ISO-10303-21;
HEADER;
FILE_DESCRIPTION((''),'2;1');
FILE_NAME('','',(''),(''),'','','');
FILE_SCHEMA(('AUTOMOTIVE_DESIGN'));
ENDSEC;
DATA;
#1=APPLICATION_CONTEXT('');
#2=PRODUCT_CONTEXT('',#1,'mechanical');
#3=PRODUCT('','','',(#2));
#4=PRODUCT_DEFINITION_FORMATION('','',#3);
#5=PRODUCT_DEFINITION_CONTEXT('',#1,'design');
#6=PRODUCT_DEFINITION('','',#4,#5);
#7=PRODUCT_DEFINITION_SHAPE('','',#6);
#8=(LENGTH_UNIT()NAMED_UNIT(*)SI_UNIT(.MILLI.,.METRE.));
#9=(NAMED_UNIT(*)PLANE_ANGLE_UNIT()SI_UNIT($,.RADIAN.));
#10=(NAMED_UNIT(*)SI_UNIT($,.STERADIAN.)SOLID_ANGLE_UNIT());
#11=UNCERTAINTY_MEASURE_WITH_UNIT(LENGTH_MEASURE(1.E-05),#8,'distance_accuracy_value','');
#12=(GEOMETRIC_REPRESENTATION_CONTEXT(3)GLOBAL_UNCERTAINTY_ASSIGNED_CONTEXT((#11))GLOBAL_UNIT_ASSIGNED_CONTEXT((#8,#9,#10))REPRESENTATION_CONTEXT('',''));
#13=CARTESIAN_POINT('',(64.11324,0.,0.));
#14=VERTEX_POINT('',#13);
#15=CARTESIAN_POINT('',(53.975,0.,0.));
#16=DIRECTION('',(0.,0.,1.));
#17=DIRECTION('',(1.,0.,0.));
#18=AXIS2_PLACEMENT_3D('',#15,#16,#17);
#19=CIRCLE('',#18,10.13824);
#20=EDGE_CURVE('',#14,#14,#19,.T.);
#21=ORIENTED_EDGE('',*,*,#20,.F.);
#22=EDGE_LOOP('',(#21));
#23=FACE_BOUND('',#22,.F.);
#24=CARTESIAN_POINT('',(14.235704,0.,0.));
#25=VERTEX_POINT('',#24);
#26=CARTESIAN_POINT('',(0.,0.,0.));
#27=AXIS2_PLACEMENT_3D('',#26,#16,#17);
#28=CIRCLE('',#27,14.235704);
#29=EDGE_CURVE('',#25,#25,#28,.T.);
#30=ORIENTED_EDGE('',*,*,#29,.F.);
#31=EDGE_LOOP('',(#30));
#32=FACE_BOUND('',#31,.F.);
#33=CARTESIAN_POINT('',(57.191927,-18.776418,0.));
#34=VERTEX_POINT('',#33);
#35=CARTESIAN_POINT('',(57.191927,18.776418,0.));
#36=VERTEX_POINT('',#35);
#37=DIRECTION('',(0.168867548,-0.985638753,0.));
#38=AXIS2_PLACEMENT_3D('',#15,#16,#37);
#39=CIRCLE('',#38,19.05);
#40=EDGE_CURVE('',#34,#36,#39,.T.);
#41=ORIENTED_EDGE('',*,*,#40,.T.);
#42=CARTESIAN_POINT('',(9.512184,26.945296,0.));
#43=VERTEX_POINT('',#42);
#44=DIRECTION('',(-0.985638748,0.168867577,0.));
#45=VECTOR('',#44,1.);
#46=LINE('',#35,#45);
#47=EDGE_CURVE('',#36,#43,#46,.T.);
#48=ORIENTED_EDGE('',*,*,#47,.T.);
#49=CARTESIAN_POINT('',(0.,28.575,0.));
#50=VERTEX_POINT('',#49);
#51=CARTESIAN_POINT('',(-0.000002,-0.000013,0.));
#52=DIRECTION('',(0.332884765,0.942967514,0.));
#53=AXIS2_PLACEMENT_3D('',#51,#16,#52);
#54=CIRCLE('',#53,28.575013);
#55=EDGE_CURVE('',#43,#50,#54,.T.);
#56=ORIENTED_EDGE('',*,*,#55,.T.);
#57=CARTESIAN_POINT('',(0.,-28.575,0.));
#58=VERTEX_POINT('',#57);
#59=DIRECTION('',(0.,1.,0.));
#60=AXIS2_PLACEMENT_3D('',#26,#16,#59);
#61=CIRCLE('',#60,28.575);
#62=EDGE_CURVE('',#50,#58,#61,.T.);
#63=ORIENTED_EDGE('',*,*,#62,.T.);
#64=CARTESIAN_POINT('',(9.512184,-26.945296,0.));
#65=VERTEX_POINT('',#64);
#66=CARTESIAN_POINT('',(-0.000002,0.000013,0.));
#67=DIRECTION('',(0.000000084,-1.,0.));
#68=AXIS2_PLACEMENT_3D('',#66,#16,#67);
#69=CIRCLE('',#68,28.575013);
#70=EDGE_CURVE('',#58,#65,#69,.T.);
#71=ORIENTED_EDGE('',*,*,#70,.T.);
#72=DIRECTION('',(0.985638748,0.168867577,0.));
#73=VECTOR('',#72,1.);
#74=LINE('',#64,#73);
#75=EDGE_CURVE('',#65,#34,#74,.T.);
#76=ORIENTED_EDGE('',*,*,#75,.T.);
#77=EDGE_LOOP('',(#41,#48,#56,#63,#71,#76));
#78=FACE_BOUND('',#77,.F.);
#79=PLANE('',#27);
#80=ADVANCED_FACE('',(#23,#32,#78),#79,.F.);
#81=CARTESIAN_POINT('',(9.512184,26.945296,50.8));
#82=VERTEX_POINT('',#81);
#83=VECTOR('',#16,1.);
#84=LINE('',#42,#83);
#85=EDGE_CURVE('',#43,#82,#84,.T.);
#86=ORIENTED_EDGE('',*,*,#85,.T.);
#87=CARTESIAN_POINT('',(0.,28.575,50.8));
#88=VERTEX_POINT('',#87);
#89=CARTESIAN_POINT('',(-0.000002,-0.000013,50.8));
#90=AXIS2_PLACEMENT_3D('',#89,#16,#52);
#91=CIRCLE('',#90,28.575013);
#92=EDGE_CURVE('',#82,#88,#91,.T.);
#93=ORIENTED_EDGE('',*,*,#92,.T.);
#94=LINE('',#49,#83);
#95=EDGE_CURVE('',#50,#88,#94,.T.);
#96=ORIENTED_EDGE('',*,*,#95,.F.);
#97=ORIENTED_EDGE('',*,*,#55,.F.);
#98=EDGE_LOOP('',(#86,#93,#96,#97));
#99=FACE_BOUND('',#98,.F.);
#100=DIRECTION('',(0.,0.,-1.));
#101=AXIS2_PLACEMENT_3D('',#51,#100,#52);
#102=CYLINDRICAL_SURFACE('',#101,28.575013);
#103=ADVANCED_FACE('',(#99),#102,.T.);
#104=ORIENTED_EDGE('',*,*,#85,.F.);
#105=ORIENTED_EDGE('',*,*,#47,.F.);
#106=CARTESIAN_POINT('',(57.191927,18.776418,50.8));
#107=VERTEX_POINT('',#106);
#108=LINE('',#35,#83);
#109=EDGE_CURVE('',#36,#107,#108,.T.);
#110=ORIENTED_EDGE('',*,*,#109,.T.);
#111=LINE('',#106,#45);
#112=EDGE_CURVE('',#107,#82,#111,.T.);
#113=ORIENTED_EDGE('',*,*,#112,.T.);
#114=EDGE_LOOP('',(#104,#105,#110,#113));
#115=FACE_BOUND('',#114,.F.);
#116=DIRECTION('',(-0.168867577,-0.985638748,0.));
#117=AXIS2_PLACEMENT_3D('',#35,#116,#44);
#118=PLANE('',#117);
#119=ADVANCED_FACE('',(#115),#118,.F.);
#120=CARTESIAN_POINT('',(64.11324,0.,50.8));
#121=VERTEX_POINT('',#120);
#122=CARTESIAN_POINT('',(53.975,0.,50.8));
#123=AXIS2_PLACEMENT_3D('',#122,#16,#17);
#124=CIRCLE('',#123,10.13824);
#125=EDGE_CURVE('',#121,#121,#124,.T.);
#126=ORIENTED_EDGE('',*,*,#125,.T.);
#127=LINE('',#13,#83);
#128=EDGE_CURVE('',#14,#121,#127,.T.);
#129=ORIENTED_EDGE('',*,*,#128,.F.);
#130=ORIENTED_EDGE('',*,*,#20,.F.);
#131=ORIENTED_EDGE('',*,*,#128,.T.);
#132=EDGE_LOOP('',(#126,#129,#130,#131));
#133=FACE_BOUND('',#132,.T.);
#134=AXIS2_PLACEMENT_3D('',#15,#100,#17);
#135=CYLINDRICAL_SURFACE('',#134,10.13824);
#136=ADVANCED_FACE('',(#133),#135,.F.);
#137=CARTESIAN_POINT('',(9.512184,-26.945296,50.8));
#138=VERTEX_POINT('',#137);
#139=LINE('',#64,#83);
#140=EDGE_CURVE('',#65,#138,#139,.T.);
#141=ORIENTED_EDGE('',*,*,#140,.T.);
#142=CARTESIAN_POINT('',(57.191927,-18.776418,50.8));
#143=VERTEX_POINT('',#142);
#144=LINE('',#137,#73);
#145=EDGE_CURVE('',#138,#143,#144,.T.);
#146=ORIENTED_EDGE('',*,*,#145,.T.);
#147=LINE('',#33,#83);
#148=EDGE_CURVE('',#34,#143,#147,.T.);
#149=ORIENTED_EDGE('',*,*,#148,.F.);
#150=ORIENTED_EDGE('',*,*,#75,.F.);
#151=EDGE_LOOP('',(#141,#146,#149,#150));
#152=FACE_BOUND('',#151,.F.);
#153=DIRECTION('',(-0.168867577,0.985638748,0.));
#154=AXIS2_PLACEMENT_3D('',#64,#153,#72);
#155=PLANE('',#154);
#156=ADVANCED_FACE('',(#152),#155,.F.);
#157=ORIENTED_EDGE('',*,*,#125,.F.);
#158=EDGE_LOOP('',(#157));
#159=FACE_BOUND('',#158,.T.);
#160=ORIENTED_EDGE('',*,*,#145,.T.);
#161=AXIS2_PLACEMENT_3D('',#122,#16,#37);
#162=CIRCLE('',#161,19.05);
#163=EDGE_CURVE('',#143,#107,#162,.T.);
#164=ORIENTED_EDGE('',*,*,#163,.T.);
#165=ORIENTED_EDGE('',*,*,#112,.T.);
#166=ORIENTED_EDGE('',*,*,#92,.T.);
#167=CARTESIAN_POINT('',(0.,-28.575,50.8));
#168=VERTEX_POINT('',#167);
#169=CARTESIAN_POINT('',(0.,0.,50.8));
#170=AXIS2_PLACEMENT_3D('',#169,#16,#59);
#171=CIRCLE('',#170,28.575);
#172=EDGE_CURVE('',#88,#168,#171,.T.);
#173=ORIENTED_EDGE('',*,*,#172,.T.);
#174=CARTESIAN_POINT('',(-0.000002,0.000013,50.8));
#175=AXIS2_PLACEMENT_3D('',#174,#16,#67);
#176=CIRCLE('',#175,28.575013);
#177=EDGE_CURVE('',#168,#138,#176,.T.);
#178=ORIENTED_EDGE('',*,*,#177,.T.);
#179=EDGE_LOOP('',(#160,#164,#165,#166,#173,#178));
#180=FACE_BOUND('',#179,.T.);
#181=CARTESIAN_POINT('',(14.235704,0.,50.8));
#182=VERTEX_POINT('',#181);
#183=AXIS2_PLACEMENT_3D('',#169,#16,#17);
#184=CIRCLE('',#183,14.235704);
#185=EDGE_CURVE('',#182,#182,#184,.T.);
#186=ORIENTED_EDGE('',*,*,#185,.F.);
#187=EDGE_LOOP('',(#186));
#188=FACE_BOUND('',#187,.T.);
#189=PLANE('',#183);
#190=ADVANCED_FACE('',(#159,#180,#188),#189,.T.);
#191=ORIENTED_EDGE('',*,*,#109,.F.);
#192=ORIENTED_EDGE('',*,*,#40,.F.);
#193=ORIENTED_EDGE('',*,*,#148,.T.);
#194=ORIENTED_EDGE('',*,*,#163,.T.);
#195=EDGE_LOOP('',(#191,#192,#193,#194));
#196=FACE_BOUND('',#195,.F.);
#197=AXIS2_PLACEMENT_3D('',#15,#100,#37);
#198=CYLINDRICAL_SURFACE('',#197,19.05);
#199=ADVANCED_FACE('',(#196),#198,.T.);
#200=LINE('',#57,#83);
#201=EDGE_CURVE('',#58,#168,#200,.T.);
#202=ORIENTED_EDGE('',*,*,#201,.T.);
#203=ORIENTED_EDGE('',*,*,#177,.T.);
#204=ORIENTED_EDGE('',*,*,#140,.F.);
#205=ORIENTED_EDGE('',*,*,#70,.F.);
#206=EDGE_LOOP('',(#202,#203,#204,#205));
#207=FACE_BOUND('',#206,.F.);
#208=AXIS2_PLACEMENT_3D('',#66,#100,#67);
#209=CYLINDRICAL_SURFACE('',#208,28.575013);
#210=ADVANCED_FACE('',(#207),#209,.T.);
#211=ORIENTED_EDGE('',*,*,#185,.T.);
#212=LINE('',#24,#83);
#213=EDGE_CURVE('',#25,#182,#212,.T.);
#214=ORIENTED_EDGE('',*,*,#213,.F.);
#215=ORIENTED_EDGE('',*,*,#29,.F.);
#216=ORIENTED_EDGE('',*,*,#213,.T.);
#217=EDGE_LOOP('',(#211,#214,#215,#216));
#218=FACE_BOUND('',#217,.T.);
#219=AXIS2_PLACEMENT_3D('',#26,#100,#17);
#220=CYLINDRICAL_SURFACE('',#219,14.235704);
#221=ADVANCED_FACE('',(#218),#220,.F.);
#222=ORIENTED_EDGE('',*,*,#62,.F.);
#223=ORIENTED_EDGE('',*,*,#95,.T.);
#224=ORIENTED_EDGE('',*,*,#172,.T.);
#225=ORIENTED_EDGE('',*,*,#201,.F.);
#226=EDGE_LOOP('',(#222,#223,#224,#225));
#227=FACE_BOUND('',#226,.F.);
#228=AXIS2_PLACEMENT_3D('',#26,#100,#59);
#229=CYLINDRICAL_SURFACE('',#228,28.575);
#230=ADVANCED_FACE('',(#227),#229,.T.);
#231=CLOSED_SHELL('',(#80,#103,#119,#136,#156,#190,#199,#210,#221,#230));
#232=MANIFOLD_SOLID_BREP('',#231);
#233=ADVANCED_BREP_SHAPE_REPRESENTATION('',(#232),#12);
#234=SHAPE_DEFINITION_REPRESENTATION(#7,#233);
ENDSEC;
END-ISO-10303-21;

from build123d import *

# Parameters (mm, degrees)
F0_R     = 14.235704
F0_R_2   = 10.13824
F1_DEPTH = 50.8
F2_DEPTH = 114.046


with BuildPart() as f1:
    # F0 (on Top) → F1 (new body)
    with BuildSketch(Plane.XY):
        Circle(F0_R)
        with Locations((53.975, 0)):
            Circle(F0_R_2)
        with BuildLine():
            Line((57.191927, 18.776418), (9.512184, 26.945296))
            Line((9.512184, 26.945296), (0, 28.575))
            ThreePointArc((0, 28.575), (-28.575, 0), (0, -28.575))
            Line((0, -28.575), (9.512184, -26.945296))
            Line((9.512184, -26.945296), (57.191927, -18.776418))
            ThreePointArc((57.191927, -18.776418), (73.025, 0), (57.191927, 18.776418))
        make_face()
        Circle(F0_R, mode=Mode.SUBTRACT)
        with Locations((53.975, 0)):
            Circle(F0_R_2, mode=Mode.SUBTRACT)
        with BuildLine():
            Line((0, 28.575), (9.512184, 26.945296))
            ThreePointArc((9.512184, 26.945296), (4.825391, 28.164627), (0, 28.575))
        make_face()
        with BuildLine():
            Line((9.512184, -26.945296), (0, -28.575))
            ThreePointArc((0, -28.575), (4.825391, -28.164627), (9.512184, -26.945296))
        make_face()
    extrude(amount=F1_DEPTH)

    # F0 (on Top) → F2 (cut)
    with BuildSketch(Plane.XY):
        Circle(F0_R)
        with Locations((53.975, 0)):
            Circle(F0_R_2)
    extrude(amount=F2_DEPTH, mode=Mode.SUBTRACT)


solid = f1.part
